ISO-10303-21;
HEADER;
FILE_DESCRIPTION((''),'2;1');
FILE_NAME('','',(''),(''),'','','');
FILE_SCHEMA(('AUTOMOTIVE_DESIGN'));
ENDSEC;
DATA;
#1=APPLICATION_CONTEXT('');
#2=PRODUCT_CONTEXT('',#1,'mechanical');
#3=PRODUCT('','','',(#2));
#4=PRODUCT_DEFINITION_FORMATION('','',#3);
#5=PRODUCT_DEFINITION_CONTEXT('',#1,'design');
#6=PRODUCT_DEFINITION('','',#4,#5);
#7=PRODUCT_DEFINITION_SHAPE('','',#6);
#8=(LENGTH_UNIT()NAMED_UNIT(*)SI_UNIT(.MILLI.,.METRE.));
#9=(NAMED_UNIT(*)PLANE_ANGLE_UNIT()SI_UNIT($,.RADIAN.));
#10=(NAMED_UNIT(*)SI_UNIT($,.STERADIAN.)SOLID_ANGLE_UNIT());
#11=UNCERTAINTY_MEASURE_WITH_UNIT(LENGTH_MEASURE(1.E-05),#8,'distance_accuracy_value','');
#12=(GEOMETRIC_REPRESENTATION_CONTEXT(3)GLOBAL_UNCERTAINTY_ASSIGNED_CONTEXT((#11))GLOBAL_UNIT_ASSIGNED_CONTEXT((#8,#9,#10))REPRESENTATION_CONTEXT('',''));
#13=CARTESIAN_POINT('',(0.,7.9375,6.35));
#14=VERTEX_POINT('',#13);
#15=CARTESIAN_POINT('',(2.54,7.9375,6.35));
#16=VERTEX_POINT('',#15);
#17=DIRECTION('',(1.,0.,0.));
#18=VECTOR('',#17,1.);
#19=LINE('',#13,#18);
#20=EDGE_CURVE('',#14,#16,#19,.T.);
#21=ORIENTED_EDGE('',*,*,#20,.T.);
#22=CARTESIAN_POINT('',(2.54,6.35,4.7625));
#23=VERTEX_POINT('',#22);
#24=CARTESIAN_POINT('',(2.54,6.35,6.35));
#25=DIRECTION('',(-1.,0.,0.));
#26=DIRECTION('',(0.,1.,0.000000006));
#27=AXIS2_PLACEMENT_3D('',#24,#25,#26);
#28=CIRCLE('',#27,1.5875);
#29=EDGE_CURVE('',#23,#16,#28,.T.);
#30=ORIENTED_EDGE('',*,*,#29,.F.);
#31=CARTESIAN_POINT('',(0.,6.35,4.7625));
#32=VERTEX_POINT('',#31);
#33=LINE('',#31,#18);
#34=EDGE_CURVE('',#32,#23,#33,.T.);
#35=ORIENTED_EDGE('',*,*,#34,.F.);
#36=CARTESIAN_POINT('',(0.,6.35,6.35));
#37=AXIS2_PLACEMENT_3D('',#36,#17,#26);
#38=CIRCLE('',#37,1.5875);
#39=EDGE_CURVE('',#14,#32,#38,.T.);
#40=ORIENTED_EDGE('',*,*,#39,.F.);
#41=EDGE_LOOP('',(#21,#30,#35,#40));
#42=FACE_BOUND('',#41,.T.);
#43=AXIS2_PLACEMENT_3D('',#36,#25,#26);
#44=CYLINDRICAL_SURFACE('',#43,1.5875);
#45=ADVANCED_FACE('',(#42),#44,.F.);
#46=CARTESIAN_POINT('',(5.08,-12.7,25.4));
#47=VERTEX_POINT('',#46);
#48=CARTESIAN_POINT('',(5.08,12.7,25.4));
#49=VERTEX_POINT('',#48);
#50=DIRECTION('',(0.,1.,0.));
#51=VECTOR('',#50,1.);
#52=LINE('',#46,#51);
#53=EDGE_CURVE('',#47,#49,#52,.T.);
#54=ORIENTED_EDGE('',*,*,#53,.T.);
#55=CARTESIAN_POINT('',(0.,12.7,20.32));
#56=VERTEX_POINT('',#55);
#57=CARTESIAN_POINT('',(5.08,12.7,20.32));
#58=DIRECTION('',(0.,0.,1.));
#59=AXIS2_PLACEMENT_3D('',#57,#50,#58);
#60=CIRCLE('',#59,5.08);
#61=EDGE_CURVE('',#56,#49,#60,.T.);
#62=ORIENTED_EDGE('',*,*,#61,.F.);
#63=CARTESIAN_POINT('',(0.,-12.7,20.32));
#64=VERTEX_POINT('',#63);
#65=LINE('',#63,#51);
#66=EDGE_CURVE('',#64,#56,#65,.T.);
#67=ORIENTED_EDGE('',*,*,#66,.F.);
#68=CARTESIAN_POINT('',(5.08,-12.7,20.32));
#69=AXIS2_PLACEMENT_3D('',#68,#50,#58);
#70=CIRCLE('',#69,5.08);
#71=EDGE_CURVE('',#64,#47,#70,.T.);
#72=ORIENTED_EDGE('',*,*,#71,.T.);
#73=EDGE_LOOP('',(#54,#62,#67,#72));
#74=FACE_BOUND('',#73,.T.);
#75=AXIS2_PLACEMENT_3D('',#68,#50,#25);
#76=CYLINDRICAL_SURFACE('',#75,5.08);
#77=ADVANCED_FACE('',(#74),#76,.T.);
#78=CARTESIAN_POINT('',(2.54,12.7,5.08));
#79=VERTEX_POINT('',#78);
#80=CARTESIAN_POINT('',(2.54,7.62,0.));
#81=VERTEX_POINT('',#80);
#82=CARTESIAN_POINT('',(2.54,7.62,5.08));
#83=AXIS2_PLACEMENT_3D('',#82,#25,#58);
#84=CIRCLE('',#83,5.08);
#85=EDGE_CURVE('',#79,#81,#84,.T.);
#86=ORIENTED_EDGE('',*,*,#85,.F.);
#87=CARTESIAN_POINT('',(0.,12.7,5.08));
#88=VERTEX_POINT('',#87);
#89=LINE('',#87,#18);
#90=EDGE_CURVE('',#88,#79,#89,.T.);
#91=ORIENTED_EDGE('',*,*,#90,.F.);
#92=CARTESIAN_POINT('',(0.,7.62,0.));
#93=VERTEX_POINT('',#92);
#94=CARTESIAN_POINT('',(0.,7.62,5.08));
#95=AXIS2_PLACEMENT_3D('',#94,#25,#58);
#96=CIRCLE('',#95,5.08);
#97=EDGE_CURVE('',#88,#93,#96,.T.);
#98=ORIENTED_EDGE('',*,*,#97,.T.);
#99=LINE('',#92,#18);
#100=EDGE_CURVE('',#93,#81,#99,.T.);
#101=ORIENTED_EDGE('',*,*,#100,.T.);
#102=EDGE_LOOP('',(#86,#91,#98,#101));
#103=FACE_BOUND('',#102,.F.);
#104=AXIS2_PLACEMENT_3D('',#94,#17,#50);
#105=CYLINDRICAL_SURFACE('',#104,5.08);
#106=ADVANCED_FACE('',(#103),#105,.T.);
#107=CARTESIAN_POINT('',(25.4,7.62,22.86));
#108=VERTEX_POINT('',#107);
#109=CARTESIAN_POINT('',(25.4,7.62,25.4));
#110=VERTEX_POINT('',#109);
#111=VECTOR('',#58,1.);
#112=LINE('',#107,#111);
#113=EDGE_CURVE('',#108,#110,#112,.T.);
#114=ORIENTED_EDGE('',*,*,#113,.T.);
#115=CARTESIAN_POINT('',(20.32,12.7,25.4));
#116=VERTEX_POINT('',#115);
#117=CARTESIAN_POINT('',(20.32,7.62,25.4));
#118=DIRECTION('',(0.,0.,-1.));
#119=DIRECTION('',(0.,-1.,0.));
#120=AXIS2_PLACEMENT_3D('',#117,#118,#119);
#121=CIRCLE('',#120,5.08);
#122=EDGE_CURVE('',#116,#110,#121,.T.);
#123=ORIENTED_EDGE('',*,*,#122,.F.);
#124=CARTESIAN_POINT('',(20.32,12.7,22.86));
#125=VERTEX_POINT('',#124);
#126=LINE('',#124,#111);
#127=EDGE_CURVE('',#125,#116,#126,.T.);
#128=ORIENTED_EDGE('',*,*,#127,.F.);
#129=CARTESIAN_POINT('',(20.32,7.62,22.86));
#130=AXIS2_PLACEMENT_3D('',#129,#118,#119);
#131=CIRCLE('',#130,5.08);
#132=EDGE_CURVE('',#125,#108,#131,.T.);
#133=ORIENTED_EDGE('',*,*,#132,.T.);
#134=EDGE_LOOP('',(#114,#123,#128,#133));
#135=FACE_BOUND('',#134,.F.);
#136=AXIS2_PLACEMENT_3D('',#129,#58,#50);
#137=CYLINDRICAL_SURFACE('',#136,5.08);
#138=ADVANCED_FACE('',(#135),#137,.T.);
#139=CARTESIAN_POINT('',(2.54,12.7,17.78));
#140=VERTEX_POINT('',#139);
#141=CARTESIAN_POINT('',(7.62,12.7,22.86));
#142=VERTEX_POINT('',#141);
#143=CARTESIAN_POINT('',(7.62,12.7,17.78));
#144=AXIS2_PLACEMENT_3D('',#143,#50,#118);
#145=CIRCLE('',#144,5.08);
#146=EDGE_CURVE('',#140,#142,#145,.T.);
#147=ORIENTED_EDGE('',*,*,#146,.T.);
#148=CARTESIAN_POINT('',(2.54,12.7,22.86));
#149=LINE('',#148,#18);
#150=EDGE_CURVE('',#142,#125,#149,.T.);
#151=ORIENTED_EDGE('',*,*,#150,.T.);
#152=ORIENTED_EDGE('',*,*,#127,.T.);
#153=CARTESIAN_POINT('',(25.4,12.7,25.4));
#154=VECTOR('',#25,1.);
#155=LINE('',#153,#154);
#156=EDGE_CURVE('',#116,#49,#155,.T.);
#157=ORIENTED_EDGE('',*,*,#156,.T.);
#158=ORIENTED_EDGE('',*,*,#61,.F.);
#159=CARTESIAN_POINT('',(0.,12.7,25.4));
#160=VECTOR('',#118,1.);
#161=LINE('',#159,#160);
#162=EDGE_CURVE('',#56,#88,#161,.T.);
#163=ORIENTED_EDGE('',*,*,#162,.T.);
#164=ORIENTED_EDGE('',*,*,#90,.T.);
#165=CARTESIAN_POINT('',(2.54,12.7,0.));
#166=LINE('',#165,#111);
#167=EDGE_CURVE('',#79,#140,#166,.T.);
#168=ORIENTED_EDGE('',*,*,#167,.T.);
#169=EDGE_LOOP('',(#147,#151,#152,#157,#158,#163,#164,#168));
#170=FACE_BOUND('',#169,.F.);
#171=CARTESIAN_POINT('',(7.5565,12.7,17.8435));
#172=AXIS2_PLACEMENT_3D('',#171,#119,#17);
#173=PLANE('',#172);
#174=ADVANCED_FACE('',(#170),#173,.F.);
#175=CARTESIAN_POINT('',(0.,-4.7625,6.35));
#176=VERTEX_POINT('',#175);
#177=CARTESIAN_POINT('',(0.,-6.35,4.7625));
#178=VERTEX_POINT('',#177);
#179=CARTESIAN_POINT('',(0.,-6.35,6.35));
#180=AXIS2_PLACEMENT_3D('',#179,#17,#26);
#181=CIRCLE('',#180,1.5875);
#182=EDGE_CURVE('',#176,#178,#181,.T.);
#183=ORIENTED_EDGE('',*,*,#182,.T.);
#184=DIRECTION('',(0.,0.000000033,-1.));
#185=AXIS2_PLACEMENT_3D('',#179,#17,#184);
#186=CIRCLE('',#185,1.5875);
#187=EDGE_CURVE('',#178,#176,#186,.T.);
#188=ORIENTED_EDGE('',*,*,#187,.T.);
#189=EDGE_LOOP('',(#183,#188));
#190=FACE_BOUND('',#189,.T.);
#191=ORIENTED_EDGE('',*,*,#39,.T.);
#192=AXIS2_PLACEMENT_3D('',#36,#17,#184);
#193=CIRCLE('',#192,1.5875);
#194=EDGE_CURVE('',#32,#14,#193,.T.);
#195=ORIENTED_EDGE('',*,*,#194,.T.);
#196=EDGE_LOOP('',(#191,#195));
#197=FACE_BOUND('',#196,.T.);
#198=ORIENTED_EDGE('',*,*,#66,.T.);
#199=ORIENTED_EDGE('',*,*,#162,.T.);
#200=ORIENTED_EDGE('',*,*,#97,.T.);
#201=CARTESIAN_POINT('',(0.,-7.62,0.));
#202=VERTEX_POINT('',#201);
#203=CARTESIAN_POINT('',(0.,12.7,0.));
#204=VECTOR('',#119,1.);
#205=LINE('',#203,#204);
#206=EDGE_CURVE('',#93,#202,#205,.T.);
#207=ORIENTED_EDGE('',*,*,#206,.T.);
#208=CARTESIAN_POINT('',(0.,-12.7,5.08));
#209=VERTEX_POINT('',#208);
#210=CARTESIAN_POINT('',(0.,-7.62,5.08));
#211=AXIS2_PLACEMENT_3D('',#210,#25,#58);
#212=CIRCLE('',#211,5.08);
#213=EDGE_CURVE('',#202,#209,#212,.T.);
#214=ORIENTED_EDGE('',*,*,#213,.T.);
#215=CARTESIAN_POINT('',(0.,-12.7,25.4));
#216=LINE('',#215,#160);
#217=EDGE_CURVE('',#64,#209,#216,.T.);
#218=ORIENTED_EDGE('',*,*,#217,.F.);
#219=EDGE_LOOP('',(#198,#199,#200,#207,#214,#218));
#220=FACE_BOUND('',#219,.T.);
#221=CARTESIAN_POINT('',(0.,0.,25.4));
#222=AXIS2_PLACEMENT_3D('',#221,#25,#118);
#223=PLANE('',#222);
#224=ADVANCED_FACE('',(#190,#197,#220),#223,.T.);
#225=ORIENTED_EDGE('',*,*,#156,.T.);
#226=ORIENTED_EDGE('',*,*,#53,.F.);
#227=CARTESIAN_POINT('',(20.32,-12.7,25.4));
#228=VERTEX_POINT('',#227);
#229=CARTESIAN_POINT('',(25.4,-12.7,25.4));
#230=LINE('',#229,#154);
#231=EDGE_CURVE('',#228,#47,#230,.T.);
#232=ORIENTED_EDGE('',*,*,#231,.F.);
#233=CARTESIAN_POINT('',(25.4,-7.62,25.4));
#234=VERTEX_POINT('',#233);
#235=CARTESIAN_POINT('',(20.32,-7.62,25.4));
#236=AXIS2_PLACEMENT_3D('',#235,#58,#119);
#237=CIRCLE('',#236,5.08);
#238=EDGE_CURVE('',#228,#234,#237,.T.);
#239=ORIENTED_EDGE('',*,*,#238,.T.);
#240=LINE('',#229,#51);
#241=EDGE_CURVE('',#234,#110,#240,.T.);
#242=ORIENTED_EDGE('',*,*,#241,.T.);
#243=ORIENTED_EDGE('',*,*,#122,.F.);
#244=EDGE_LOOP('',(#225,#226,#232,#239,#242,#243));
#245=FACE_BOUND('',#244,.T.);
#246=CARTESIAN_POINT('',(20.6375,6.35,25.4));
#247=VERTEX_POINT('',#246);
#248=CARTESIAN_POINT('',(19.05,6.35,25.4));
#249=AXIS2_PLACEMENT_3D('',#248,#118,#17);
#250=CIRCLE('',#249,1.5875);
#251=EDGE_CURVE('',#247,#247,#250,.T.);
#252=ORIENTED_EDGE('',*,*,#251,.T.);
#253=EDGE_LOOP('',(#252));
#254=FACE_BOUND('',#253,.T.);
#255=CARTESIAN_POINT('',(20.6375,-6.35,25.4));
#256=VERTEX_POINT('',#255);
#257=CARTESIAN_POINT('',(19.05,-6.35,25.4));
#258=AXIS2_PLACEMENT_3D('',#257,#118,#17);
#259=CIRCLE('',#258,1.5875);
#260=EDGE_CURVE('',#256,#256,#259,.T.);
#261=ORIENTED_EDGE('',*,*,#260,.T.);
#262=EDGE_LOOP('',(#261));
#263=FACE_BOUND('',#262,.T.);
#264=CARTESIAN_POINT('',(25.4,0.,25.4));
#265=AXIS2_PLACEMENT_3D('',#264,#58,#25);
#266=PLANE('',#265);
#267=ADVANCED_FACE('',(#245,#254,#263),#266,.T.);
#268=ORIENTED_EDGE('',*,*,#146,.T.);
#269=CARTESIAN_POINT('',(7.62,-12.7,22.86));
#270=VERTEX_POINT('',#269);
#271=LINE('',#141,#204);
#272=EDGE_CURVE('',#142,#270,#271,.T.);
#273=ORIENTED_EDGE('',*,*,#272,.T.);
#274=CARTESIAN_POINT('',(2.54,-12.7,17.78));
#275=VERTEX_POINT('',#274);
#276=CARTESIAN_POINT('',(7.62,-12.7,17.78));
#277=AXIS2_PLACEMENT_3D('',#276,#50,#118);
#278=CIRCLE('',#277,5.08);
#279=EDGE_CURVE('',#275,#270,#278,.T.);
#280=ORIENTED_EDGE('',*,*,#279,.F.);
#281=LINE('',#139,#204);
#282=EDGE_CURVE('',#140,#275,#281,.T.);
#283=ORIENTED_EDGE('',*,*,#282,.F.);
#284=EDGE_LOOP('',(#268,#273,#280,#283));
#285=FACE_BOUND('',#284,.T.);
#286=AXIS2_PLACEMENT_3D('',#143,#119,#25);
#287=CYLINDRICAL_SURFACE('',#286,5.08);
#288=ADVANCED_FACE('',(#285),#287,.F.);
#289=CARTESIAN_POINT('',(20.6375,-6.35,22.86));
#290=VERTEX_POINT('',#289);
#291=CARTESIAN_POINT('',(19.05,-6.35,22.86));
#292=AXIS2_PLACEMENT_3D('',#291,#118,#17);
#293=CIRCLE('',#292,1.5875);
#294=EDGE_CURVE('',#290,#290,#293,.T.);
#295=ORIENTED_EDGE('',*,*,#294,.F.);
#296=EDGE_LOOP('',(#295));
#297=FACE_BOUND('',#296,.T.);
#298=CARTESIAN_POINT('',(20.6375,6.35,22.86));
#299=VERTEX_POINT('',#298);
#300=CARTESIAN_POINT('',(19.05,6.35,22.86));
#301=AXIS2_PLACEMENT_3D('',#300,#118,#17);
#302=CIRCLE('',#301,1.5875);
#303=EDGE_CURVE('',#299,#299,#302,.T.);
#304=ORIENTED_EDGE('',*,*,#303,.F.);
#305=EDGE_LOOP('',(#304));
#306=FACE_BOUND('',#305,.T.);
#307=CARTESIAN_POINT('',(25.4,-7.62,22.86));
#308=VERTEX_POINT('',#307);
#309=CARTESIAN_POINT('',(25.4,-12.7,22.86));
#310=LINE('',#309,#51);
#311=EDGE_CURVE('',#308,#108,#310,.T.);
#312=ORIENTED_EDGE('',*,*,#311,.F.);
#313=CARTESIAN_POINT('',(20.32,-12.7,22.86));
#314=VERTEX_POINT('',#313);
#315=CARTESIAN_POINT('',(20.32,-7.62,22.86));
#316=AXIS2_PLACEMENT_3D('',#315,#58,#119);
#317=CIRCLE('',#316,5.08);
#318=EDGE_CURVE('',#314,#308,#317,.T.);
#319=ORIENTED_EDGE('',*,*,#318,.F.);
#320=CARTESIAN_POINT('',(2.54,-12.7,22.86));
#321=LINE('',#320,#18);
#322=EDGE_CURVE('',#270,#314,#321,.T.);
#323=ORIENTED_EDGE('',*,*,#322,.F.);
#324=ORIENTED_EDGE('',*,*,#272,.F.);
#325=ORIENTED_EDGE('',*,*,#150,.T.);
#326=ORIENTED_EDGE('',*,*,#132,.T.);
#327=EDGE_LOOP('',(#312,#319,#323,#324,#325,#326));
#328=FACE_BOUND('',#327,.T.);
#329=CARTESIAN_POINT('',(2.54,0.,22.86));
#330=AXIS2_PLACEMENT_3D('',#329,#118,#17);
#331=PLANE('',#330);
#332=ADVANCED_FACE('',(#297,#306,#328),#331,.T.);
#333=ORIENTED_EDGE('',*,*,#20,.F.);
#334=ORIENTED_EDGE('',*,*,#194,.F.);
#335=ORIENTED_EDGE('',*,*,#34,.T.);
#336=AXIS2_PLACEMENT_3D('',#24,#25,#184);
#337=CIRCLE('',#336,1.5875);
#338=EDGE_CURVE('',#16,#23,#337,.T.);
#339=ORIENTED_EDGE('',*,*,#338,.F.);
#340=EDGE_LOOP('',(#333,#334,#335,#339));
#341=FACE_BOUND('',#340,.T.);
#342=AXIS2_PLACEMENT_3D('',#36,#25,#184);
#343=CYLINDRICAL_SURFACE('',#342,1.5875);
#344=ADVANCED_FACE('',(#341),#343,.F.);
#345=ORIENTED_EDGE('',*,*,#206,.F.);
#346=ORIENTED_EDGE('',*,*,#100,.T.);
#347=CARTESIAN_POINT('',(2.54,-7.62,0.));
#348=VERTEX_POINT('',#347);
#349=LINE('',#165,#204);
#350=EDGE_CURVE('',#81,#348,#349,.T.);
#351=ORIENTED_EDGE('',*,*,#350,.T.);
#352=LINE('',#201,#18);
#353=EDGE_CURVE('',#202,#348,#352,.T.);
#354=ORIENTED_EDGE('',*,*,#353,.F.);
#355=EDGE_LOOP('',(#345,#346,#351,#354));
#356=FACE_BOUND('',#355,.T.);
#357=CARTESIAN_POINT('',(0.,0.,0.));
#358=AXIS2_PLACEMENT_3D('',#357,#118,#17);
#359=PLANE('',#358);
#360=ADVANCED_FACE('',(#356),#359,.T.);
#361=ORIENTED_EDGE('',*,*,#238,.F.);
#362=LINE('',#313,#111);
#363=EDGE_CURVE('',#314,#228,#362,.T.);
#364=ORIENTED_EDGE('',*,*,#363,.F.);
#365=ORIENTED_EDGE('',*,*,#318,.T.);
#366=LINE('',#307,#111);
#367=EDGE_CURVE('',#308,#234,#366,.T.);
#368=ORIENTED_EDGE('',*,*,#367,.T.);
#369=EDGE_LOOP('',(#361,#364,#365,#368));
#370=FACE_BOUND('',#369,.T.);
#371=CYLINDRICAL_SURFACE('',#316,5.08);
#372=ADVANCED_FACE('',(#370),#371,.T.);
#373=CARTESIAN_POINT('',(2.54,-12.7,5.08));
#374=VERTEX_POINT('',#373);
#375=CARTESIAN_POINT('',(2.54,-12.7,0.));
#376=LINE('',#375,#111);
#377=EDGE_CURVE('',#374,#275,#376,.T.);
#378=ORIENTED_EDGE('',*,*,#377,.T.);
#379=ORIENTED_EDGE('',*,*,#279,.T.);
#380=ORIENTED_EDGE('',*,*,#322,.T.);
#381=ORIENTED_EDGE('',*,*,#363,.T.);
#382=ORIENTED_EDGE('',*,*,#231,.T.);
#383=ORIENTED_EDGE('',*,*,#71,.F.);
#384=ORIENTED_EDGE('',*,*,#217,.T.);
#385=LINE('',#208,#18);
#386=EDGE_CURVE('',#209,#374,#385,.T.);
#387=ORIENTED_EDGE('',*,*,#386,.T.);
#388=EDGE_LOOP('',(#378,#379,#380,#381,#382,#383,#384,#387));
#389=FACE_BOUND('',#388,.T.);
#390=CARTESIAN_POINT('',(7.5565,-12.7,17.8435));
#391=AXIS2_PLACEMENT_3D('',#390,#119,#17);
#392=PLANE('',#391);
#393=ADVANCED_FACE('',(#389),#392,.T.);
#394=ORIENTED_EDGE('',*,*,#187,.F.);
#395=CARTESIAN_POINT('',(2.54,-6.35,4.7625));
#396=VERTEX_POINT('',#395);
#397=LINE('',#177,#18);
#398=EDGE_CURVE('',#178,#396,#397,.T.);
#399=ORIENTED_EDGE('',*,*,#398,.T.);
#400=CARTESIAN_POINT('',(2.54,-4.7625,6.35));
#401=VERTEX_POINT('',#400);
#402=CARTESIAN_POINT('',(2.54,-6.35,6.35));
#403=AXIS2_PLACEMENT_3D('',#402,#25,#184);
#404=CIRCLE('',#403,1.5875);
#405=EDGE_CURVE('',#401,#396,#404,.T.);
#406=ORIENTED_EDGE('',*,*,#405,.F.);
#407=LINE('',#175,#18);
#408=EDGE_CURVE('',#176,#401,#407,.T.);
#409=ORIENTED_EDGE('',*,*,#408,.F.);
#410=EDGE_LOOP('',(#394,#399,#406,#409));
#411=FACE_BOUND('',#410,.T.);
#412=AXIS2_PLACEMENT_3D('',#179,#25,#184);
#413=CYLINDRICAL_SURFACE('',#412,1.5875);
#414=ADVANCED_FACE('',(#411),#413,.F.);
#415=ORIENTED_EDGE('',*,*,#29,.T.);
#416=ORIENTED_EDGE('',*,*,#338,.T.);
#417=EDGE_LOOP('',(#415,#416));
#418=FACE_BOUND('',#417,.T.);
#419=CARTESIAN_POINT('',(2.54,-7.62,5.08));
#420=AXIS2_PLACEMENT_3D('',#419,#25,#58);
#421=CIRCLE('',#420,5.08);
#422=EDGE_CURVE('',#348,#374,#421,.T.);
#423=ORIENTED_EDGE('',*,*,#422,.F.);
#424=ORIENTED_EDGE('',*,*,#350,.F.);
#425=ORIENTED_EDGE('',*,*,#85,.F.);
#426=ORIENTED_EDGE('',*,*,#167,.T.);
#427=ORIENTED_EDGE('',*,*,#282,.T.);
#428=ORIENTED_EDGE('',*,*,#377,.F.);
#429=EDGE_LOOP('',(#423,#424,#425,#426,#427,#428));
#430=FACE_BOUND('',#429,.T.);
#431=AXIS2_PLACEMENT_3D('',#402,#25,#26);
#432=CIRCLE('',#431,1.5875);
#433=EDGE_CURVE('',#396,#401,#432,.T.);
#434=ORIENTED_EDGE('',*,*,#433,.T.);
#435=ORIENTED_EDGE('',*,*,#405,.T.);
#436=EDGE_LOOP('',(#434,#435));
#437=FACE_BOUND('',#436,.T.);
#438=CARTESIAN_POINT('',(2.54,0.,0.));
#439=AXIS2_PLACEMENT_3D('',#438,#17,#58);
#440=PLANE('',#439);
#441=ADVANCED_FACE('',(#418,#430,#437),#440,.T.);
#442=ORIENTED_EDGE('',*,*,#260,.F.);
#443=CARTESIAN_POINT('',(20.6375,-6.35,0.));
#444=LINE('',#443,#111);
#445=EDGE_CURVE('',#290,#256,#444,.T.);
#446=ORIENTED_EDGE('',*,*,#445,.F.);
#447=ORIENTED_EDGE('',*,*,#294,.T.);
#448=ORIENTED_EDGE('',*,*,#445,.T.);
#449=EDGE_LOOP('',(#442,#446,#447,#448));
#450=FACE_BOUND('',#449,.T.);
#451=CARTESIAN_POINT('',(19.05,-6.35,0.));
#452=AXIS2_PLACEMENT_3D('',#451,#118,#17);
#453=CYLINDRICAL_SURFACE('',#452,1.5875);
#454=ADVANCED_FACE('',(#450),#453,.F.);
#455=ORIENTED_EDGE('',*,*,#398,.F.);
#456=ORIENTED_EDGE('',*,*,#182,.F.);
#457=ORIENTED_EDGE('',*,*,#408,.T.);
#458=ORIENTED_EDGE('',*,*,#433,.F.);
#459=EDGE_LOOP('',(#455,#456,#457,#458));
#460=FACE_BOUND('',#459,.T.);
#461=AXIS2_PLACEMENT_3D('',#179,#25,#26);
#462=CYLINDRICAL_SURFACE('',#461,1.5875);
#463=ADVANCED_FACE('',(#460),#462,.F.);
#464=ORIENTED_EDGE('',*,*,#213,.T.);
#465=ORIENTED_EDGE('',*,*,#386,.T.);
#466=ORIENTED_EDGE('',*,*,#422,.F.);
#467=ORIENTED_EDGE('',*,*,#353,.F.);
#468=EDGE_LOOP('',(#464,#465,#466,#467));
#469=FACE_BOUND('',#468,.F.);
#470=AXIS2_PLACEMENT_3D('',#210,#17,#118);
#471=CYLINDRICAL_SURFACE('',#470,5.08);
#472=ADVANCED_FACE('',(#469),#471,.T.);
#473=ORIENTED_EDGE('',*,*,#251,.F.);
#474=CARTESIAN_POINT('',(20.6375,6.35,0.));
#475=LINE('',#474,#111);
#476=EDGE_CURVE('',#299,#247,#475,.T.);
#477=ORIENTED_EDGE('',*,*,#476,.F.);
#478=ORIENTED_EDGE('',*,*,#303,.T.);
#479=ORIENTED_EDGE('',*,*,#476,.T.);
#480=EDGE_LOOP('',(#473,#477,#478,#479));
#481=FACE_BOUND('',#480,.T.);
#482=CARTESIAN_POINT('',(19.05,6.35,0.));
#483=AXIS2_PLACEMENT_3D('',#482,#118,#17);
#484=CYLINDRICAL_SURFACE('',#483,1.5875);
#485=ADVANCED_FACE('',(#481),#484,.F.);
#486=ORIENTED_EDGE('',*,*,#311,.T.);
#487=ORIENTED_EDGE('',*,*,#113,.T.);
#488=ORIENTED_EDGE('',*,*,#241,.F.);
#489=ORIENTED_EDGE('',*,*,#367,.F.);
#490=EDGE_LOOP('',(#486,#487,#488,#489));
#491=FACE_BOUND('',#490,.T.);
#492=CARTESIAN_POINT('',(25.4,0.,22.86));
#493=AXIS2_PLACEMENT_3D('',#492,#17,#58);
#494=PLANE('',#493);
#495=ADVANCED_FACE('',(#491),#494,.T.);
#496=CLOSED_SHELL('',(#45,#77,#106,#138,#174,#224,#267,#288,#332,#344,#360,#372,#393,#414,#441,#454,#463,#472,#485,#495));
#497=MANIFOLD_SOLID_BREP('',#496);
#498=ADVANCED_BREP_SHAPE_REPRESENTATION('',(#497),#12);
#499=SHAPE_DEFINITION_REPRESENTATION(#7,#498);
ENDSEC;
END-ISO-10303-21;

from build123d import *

# Parameters (mm, degrees)
F3_DEPTH = 12.7
F1_R     = 1.5875
F4_DEPTH = 39.37
F5_DEPTH = 8.382
F6_R     = 5.08
F7_R     = 5.08
F8_R     = 5.08


with BuildPart() as f3:
    # F0 (on Front) → F3 (new body, symmetric)
    with BuildSketch(Plane.XZ):
        Polygon((0, 25.4), (0, 0), (2.54, 0), (2.54, 22.86), (25.4, 22.86), (25.4, 25.4), align=None)
    extrude(amount=F3_DEPTH, both=True)

    # F1 (on Top) → F4 (cut)
    with BuildSketch(Plane.XY):
        with Locations((19.05, 6.35)):
            Circle(F1_R)
        with Locations((19.05, -6.35)):
            Circle(F1_R)
    extrude(amount=F4_DEPTH, mode=Mode.SUBTRACT)

    # F2 (on Right) → F5 (cut)
    with BuildSketch(Plane.YZ):
        with BuildLine():
            ThreePointArc((7.9375, 6.35), (5.227468, 7.472532), (6.35, 4.7625))
            ThreePointArc((6.35, 4.7625), (7.472532, 5.227468), (7.9375, 6.35))
        make_face()
        with BuildLine():
            ThreePointArc((-4.7625, 6.35), (-7.472532, 7.472532), (-6.35, 4.7625))
            ThreePointArc((-6.35, 4.7625), (-5.227468, 5.227468), (-4.7625, 6.35))
        make_face()
    extrude(amount=F5_DEPTH, mode=Mode.SUBTRACT)

    # F6
    f6_edges = [f3.edges().sort_by_distance(p)[0] for p in [
        (25.4, -12.7, 24.13),
        (25.4, 12.7, 24.13),
        (1.27, -12.7, 0),
        (1.27, 12.7, 0),
    ]]
    fillet(f6_edges, radius=F6_R)

    # F7
    f7_edges = [f3.edges().sort_by_distance(p)[0] for p in [
        (0, 0, 25.4),
    ]]
    fillet(f7_edges, radius=F7_R)

    # F8
    f8_edges = [f3.edges().sort_by_distance(p)[0] for p in [
        (2.54, 0, 22.86),
    ]]
    fillet(f8_edges, radius=F8_R)


solid = f3.part
